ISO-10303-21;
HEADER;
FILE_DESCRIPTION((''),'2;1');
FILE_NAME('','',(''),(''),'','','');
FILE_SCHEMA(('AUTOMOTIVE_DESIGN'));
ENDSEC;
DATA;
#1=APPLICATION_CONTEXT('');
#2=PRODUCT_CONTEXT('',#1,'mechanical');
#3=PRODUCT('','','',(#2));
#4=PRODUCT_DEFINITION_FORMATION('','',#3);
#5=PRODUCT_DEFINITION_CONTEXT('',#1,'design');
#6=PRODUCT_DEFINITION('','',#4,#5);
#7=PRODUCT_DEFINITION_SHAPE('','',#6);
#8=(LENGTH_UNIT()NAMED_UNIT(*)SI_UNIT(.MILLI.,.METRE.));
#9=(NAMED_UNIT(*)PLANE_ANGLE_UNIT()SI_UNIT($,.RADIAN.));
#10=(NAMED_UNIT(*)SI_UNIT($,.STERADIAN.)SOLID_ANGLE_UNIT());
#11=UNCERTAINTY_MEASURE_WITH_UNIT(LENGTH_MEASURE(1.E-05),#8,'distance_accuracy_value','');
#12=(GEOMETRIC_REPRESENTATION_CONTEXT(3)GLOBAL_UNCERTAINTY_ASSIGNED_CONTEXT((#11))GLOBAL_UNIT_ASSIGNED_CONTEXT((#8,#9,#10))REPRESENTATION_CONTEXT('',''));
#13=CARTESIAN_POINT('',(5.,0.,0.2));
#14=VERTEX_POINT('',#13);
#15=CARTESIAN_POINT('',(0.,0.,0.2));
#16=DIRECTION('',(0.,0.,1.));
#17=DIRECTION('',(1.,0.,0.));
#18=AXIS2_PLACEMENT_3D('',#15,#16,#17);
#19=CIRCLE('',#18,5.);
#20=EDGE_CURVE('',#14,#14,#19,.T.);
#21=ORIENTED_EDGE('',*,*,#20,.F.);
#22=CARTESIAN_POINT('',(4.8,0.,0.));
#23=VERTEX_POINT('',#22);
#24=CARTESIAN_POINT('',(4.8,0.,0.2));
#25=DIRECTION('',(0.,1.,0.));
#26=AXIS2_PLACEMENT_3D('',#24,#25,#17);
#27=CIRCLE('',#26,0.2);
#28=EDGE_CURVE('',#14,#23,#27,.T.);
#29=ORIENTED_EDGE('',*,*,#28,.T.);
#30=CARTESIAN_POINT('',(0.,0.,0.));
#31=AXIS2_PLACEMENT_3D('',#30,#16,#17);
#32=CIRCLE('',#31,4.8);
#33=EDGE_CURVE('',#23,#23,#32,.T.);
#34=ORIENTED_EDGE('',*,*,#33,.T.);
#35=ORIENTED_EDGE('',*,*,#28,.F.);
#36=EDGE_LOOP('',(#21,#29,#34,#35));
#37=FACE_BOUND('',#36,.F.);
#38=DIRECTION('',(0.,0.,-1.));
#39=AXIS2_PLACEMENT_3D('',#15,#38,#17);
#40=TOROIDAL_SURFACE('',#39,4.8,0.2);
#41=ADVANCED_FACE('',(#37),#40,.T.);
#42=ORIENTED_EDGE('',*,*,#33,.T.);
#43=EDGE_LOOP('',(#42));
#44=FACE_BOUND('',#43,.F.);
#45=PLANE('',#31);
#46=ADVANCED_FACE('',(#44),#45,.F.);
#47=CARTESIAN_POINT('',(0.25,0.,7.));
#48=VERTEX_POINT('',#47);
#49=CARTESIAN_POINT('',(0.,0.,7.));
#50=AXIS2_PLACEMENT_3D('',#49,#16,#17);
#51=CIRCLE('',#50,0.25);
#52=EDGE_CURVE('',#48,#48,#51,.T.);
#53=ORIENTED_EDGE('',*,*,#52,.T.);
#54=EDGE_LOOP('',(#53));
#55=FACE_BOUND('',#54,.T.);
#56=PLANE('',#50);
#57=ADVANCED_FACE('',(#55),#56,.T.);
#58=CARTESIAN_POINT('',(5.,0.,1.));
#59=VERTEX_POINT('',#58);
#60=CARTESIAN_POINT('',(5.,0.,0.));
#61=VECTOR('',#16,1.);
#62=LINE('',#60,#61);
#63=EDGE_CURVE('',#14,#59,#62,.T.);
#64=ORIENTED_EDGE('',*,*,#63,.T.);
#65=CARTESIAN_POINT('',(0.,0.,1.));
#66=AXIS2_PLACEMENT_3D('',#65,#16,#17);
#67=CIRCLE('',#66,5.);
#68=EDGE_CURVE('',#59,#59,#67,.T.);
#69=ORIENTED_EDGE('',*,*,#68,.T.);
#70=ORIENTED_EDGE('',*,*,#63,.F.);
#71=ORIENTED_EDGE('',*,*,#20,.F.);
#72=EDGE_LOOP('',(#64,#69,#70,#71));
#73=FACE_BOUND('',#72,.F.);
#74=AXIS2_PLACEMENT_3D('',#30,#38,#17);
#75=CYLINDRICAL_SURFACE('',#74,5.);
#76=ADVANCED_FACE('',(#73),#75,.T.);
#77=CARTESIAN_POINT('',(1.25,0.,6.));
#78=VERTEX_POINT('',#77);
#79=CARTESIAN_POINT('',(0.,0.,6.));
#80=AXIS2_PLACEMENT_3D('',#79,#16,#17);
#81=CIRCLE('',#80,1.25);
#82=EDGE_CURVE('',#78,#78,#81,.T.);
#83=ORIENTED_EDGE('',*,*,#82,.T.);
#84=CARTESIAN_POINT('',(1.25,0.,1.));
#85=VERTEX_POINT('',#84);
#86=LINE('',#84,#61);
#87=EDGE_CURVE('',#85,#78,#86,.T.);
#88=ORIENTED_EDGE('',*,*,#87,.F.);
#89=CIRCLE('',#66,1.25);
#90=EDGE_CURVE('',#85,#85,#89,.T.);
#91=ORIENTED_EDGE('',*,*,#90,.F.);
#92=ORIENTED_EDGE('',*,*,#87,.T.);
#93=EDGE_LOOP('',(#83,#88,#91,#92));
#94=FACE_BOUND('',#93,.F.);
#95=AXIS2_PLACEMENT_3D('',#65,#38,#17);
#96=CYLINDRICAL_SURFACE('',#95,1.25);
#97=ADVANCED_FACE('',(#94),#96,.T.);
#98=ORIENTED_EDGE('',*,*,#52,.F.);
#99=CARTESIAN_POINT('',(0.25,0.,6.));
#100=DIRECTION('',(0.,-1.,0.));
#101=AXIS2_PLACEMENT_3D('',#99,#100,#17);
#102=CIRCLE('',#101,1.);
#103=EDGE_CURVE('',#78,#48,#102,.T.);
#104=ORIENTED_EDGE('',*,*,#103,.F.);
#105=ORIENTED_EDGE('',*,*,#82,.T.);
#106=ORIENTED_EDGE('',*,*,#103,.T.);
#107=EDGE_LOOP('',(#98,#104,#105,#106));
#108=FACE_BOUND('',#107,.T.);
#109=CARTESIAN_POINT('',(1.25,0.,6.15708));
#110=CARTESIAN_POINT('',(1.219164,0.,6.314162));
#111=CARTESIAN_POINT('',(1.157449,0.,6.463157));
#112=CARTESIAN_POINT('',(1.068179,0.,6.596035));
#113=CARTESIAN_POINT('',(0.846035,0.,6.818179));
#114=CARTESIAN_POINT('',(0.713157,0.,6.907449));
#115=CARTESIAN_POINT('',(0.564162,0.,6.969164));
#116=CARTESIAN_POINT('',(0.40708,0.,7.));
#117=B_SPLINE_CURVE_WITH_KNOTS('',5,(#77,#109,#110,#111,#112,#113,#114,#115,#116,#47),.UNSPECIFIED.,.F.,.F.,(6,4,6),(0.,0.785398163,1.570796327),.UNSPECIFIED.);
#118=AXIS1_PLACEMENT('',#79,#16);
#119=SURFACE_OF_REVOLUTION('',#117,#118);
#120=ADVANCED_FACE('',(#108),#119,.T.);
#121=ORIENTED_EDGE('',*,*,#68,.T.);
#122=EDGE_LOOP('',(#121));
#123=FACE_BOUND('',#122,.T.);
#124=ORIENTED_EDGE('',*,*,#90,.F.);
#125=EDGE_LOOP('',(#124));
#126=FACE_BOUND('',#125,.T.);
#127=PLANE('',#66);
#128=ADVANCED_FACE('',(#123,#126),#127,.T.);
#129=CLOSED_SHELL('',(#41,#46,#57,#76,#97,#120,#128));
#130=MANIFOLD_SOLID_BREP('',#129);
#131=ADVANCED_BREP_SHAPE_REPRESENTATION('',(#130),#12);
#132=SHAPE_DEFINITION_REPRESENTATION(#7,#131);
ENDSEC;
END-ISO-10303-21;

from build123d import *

# Parameters (mm, degrees)
F0_R     = 5
F1_DEPTH = 1
F2_R     = 1.25
F3_DEPTH = 6
F4_R     = 1
F5_R     = 0.2


with BuildPart() as f1:
    # F0 (on Top) → F1 (new body)
    with BuildSketch(Plane.XY):
        Circle(F0_R)
    extrude(amount=F1_DEPTH)

    # F2 (on face) → F3 (join)
    with BuildSketch(Plane.XY.offset(1)):
        Circle(F2_R)
    extrude(amount=F3_DEPTH)

    # F4
    f4_edges = [f1.edges().sort_by_distance(p)[0] for p in [
        (-1.25, 0, 7),
    ]]
    fillet(f4_edges, radius=F4_R)

    # F5
    f5_edges = [f1.edges().sort_by_distance(p)[0] for p in [
        (-5, 0, 0),
    ]]
    fillet(f5_edges, radius=F5_R)


solid = f1.part
